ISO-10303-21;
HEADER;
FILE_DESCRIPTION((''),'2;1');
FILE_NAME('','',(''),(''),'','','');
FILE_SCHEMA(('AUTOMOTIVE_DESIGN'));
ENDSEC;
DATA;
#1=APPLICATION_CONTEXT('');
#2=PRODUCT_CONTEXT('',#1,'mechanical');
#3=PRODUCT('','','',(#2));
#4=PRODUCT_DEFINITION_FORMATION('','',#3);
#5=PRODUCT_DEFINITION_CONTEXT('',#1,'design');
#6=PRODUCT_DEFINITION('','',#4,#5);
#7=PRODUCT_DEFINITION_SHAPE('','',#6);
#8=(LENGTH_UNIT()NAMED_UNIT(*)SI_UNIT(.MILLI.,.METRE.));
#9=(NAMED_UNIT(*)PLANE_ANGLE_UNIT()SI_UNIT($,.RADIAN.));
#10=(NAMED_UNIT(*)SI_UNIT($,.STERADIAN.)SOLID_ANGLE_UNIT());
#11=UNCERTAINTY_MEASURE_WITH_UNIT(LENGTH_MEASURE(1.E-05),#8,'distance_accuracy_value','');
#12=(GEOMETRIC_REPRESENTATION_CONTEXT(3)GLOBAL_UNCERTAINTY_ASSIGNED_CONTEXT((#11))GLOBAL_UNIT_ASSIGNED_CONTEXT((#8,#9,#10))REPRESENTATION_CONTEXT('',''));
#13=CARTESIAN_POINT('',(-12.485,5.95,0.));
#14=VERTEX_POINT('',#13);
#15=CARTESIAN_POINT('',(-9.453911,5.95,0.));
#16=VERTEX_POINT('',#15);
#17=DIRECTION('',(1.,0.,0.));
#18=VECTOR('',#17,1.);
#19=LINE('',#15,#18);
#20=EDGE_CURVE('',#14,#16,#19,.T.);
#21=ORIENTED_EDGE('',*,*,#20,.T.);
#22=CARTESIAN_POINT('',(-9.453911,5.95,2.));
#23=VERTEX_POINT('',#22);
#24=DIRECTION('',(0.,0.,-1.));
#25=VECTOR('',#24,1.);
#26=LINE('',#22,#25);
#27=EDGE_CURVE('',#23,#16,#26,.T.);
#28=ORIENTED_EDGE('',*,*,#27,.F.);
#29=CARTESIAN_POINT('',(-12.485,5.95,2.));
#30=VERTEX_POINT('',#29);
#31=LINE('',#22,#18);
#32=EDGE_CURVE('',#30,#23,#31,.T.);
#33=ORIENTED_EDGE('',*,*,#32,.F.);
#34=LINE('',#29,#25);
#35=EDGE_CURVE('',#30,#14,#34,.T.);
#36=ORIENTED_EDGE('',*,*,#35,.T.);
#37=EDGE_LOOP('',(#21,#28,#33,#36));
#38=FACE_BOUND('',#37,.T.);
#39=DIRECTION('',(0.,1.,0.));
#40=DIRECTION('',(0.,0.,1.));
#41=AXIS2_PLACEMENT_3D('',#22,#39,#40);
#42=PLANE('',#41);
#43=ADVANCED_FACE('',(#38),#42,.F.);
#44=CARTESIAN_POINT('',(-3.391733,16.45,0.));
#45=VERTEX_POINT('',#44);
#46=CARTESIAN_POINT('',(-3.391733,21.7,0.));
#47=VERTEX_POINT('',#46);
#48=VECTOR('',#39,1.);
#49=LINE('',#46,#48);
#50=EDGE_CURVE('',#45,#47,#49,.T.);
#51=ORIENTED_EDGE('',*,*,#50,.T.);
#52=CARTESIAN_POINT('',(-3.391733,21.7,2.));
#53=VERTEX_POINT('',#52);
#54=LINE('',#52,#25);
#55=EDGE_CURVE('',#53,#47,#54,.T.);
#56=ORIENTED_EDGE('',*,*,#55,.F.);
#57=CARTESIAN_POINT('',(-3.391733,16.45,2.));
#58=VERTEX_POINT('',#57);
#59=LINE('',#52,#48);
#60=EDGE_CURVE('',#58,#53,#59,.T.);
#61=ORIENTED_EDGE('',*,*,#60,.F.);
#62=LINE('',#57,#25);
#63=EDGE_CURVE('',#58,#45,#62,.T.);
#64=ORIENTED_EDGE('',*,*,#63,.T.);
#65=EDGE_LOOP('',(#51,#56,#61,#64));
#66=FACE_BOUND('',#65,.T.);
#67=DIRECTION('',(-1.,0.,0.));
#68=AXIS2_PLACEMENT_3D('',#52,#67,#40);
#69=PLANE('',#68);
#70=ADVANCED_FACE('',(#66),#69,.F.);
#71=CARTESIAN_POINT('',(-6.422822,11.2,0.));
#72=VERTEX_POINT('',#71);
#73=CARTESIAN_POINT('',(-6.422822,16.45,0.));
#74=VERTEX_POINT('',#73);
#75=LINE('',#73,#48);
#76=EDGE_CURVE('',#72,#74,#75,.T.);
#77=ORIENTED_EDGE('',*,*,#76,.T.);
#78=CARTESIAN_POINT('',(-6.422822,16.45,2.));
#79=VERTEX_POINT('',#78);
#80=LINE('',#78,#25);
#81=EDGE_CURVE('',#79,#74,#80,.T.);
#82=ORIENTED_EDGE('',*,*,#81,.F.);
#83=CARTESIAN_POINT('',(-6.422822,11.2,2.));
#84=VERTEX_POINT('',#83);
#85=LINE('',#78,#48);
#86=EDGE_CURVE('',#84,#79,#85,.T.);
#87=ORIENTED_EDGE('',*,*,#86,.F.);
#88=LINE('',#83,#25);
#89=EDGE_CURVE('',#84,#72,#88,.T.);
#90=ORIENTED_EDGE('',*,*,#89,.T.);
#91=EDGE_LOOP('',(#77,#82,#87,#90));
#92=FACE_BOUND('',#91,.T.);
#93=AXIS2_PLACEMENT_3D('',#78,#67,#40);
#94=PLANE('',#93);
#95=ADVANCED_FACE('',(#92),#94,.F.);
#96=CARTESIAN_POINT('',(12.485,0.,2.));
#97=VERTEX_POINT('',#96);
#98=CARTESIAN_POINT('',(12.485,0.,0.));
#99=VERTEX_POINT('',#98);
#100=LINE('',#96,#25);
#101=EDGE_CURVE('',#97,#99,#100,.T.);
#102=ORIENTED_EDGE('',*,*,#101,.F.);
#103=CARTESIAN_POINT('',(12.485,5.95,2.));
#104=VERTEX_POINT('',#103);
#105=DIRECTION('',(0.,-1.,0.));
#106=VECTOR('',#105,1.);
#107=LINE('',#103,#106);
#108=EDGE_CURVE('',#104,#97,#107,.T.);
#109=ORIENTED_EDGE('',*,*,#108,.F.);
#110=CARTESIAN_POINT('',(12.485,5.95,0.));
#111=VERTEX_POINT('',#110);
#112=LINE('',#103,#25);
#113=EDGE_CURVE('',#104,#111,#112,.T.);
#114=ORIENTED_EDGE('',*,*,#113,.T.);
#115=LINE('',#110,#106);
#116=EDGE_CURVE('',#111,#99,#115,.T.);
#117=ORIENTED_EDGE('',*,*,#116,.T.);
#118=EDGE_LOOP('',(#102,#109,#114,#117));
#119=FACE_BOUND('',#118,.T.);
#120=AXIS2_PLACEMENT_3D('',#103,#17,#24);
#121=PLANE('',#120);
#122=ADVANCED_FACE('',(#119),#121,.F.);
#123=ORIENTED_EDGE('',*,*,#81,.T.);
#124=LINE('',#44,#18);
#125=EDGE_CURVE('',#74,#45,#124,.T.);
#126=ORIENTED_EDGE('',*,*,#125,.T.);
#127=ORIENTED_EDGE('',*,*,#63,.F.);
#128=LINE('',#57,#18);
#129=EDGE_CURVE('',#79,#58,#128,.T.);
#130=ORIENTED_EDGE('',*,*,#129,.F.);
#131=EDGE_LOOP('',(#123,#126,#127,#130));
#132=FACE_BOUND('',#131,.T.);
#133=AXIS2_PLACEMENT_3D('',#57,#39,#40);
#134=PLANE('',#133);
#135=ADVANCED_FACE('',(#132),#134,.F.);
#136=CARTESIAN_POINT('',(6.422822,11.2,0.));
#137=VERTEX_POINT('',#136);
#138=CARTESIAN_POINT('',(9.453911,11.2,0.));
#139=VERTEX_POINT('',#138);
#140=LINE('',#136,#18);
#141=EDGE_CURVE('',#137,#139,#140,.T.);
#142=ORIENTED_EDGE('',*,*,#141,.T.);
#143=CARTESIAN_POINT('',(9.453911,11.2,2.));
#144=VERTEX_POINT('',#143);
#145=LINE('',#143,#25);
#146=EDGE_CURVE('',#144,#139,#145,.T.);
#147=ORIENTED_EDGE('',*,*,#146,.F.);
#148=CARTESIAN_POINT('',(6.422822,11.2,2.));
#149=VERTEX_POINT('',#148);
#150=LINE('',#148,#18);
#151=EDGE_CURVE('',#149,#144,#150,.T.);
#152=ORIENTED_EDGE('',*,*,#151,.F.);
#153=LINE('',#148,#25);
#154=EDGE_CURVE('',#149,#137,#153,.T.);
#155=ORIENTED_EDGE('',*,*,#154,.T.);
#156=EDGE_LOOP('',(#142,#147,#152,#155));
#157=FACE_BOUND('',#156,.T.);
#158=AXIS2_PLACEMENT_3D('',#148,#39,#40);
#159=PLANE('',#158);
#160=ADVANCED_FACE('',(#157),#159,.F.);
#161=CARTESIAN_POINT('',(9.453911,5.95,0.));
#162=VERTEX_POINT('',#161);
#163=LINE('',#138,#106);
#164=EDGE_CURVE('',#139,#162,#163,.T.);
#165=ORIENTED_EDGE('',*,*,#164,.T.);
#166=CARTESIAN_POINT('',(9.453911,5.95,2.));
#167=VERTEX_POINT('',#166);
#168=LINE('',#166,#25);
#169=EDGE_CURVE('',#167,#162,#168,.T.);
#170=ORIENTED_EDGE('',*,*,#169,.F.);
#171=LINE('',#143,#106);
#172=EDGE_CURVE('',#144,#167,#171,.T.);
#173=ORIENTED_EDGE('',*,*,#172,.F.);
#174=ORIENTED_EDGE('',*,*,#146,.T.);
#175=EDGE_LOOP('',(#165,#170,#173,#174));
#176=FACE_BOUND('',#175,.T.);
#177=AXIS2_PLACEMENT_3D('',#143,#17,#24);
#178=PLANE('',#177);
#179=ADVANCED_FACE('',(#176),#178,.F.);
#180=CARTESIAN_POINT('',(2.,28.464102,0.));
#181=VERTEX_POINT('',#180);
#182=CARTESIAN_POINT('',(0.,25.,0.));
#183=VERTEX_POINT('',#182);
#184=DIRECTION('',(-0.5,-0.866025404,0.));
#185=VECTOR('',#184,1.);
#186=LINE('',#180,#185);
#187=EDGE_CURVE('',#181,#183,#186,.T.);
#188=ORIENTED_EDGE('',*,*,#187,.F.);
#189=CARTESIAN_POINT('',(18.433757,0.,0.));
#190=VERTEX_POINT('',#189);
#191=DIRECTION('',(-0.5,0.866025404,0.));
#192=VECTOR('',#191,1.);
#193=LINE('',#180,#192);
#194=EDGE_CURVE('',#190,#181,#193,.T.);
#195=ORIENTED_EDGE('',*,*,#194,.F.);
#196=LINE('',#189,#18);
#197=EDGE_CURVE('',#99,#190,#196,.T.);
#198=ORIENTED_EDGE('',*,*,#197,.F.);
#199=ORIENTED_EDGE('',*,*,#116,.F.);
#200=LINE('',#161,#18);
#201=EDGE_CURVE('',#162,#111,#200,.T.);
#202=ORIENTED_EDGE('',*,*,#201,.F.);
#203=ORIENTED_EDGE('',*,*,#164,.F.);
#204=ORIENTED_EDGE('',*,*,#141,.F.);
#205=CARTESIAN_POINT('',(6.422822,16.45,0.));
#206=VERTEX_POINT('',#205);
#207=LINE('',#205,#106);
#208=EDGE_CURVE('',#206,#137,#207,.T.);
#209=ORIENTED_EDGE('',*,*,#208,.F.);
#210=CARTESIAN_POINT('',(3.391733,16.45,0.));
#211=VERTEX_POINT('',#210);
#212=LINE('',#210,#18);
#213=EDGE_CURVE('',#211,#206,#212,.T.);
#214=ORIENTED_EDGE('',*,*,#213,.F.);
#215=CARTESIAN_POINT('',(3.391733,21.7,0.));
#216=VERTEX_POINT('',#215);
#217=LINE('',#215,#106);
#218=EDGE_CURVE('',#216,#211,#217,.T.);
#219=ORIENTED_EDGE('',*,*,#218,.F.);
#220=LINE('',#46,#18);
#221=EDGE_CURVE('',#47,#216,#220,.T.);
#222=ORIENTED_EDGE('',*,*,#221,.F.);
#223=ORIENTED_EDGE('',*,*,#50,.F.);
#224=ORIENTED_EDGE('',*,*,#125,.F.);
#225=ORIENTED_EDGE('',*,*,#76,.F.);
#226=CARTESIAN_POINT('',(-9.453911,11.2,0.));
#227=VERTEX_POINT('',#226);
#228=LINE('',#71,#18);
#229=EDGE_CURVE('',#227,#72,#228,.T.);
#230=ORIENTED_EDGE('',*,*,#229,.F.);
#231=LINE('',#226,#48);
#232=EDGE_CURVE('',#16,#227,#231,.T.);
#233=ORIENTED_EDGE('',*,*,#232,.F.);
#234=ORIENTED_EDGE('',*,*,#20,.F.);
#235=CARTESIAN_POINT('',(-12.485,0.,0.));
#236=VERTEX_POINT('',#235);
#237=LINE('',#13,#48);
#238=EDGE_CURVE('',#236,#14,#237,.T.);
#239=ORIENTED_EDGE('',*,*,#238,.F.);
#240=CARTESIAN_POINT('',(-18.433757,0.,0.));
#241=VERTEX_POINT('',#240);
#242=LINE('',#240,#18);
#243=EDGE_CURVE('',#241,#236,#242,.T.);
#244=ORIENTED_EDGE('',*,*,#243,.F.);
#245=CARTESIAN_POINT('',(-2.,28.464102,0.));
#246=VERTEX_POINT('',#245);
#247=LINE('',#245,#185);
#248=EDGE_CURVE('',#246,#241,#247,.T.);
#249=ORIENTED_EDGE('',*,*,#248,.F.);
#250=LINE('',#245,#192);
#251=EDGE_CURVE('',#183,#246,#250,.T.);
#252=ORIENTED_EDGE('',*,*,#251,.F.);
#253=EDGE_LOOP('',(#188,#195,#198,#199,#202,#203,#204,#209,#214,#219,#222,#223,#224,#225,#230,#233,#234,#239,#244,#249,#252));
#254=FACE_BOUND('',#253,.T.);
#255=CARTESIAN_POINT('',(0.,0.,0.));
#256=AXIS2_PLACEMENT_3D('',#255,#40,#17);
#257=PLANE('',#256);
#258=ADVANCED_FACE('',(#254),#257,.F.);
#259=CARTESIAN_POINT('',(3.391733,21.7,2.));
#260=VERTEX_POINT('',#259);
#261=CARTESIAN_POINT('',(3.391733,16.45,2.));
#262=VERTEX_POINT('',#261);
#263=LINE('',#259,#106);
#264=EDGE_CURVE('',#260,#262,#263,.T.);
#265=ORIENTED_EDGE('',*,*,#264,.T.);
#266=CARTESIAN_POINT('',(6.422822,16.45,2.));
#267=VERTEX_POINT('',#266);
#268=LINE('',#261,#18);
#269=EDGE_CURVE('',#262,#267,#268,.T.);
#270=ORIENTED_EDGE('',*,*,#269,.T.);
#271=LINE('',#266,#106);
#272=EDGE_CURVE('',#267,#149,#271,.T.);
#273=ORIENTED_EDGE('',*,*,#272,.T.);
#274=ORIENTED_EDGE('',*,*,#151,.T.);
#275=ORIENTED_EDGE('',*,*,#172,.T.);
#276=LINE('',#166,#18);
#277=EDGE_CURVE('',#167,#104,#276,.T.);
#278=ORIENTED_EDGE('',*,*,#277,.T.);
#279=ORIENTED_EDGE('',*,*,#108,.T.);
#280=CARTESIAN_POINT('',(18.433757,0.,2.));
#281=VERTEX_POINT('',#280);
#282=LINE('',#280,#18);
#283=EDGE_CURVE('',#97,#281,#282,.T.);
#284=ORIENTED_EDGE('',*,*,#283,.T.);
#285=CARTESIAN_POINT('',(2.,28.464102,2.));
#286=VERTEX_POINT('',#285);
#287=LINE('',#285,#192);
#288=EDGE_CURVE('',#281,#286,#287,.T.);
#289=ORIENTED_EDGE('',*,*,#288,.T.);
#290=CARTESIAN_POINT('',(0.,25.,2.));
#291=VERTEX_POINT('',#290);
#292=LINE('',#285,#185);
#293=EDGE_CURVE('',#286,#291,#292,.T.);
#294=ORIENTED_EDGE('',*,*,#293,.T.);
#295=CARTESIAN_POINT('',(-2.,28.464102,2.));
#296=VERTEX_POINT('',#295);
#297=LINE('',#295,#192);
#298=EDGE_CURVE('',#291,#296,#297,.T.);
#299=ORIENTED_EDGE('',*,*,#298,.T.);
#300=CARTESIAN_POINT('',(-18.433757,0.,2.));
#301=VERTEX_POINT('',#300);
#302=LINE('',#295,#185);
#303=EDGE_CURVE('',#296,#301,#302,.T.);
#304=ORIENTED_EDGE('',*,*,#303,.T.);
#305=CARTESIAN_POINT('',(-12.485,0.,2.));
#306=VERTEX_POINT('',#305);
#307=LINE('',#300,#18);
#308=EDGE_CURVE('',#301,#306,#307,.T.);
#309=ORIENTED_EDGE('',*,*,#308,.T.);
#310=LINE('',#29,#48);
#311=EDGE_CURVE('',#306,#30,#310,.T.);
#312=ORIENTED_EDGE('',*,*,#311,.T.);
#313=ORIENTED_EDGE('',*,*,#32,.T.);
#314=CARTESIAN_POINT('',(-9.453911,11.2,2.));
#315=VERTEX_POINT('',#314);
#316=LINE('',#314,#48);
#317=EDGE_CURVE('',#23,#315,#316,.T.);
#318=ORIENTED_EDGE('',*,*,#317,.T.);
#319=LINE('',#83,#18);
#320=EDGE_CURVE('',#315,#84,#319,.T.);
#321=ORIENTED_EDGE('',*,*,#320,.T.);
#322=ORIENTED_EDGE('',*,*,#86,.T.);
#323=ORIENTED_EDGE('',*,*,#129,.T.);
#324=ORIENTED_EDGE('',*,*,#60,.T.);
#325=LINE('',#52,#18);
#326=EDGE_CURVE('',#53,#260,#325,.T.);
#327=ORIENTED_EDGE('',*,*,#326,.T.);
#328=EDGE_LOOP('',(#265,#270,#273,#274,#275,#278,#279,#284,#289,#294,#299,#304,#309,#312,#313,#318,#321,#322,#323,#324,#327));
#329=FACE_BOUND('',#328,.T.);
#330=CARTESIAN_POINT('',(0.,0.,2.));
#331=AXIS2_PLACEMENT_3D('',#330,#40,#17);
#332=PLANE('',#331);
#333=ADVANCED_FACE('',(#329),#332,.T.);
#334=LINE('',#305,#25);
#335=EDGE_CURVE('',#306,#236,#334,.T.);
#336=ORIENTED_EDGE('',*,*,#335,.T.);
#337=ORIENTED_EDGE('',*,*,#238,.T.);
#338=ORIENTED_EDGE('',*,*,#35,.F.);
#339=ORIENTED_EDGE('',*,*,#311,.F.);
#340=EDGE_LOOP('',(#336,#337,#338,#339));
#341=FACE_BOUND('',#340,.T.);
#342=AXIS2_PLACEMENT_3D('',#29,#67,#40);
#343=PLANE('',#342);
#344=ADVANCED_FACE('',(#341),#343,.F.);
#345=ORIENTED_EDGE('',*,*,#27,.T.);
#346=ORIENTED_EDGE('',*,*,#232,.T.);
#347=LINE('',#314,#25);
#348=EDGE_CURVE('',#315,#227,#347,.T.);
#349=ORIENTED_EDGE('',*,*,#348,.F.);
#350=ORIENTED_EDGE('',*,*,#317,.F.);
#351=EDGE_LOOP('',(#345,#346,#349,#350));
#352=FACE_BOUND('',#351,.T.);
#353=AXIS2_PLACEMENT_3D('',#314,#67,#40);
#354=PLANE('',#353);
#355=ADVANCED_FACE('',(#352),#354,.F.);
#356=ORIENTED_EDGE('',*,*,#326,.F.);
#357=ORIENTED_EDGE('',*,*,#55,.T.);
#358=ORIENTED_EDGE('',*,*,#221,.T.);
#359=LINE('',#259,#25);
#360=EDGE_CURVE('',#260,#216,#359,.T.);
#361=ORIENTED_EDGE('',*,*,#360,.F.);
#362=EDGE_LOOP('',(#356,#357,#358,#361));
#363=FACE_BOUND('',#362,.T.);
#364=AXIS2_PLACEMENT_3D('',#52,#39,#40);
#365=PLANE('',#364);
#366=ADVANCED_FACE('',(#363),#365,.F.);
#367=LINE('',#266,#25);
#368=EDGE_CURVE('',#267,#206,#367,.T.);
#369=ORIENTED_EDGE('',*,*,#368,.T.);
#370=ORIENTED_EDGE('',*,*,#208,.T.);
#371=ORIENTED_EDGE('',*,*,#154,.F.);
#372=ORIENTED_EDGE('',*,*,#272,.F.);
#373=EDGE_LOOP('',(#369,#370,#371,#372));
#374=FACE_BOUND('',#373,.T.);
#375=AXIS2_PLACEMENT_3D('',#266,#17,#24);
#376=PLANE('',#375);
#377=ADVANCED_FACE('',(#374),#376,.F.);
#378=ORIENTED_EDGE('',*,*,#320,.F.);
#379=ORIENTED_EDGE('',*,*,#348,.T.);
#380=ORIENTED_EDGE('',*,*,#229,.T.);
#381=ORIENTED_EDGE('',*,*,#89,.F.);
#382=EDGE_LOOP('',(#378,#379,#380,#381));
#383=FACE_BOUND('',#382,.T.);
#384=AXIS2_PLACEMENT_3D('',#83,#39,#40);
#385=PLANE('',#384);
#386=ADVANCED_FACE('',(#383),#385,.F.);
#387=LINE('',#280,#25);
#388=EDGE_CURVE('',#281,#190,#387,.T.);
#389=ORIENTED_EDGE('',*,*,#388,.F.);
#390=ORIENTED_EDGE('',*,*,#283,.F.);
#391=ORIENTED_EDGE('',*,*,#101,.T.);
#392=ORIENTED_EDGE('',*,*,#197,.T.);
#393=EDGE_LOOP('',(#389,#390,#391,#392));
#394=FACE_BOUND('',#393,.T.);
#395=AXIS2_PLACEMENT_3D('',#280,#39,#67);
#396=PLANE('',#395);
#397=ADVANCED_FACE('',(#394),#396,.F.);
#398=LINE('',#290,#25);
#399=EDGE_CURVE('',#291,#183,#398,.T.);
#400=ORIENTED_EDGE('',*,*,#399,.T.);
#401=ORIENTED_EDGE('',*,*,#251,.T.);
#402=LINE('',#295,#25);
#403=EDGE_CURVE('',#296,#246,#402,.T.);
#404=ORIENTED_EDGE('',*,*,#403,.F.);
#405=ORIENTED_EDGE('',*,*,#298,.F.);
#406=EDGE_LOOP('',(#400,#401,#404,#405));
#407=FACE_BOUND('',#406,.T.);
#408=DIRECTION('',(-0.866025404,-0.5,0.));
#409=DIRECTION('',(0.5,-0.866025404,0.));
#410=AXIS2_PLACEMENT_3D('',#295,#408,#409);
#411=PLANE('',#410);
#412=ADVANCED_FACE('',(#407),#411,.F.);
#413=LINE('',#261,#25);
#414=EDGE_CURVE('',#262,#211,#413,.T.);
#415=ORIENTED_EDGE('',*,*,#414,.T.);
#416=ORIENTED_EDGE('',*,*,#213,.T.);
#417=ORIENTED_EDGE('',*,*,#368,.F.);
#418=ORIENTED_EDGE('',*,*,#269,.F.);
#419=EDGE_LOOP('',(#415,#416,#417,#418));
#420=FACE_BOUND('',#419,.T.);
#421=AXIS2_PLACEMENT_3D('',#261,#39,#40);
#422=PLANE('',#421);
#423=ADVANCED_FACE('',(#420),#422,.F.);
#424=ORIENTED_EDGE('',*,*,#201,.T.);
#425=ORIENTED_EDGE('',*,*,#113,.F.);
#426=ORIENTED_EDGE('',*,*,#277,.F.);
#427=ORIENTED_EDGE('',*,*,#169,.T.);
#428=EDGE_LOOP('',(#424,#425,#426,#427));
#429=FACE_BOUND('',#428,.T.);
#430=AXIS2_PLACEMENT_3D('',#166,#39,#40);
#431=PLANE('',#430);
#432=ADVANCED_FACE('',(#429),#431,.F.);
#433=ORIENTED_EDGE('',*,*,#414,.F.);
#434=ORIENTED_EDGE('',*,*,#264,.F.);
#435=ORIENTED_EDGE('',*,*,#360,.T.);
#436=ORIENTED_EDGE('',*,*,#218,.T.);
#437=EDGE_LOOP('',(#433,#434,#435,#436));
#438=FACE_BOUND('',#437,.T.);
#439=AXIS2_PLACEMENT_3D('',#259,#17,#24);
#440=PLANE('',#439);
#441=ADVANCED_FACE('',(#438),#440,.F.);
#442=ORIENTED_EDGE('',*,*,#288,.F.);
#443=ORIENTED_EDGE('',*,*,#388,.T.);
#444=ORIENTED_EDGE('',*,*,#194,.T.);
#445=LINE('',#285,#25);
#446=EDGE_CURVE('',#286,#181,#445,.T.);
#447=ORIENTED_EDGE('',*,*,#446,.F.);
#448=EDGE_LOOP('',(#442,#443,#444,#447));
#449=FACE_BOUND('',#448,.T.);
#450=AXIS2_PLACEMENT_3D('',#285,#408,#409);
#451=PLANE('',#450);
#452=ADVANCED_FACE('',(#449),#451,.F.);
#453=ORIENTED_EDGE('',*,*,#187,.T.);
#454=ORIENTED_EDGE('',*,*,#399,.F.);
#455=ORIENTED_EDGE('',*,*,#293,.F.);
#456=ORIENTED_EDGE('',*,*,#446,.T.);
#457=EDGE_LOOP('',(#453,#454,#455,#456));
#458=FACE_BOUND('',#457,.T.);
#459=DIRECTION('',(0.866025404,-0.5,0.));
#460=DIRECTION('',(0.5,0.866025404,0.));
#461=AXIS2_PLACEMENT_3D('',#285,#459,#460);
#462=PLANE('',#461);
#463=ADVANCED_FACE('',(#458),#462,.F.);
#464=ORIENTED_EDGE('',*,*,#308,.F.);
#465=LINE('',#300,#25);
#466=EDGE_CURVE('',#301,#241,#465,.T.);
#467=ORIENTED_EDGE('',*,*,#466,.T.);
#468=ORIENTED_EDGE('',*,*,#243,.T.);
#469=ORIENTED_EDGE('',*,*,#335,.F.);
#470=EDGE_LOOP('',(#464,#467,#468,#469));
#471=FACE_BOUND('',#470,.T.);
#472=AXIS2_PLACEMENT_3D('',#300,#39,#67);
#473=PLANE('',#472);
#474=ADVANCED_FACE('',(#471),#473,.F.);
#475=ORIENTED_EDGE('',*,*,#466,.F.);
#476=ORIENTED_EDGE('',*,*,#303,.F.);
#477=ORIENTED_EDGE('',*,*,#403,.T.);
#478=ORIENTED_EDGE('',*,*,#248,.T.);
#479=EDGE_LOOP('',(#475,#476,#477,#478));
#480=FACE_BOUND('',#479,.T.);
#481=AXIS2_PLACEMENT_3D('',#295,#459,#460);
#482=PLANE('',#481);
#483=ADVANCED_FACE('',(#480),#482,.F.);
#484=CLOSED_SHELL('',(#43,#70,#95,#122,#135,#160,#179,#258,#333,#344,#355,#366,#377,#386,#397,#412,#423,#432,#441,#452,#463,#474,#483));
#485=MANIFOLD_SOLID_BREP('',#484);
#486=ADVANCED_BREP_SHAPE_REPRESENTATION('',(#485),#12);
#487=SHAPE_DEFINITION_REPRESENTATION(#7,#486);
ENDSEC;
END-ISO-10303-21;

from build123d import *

# Parameters (mm, degrees)
EXTRUDE_1_DEPTH = 2


with BuildPart() as part:
    # 草图1 → 凸台-拉伸1 (new body)
    with BuildSketch(Plane.XY):
        Polygon((-12.485, 5.95), (-12.485, 0), (-18.43375673, 0), (-2, 28.464101615), (0, 25), (2, 28.464101615), (18.43375673, 0), (12.485, 0), (12.485, 5.95), (9.453911087, 5.95), (9.453911087, 11.2), (6.422822174, 11.2), (6.422822174, 16.45), (3.39173326, 16.45), (3.39173326, 21.7), (-3.39173326, 21.7), (-3.39173326, 16.45), (-6.422822174, 16.45), (-6.422822174, 11.2), (-9.453911087, 11.2), (-9.453911087, 5.95), align=None)
    extrude(amount=EXTRUDE_1_DEPTH)


solid = part.part
